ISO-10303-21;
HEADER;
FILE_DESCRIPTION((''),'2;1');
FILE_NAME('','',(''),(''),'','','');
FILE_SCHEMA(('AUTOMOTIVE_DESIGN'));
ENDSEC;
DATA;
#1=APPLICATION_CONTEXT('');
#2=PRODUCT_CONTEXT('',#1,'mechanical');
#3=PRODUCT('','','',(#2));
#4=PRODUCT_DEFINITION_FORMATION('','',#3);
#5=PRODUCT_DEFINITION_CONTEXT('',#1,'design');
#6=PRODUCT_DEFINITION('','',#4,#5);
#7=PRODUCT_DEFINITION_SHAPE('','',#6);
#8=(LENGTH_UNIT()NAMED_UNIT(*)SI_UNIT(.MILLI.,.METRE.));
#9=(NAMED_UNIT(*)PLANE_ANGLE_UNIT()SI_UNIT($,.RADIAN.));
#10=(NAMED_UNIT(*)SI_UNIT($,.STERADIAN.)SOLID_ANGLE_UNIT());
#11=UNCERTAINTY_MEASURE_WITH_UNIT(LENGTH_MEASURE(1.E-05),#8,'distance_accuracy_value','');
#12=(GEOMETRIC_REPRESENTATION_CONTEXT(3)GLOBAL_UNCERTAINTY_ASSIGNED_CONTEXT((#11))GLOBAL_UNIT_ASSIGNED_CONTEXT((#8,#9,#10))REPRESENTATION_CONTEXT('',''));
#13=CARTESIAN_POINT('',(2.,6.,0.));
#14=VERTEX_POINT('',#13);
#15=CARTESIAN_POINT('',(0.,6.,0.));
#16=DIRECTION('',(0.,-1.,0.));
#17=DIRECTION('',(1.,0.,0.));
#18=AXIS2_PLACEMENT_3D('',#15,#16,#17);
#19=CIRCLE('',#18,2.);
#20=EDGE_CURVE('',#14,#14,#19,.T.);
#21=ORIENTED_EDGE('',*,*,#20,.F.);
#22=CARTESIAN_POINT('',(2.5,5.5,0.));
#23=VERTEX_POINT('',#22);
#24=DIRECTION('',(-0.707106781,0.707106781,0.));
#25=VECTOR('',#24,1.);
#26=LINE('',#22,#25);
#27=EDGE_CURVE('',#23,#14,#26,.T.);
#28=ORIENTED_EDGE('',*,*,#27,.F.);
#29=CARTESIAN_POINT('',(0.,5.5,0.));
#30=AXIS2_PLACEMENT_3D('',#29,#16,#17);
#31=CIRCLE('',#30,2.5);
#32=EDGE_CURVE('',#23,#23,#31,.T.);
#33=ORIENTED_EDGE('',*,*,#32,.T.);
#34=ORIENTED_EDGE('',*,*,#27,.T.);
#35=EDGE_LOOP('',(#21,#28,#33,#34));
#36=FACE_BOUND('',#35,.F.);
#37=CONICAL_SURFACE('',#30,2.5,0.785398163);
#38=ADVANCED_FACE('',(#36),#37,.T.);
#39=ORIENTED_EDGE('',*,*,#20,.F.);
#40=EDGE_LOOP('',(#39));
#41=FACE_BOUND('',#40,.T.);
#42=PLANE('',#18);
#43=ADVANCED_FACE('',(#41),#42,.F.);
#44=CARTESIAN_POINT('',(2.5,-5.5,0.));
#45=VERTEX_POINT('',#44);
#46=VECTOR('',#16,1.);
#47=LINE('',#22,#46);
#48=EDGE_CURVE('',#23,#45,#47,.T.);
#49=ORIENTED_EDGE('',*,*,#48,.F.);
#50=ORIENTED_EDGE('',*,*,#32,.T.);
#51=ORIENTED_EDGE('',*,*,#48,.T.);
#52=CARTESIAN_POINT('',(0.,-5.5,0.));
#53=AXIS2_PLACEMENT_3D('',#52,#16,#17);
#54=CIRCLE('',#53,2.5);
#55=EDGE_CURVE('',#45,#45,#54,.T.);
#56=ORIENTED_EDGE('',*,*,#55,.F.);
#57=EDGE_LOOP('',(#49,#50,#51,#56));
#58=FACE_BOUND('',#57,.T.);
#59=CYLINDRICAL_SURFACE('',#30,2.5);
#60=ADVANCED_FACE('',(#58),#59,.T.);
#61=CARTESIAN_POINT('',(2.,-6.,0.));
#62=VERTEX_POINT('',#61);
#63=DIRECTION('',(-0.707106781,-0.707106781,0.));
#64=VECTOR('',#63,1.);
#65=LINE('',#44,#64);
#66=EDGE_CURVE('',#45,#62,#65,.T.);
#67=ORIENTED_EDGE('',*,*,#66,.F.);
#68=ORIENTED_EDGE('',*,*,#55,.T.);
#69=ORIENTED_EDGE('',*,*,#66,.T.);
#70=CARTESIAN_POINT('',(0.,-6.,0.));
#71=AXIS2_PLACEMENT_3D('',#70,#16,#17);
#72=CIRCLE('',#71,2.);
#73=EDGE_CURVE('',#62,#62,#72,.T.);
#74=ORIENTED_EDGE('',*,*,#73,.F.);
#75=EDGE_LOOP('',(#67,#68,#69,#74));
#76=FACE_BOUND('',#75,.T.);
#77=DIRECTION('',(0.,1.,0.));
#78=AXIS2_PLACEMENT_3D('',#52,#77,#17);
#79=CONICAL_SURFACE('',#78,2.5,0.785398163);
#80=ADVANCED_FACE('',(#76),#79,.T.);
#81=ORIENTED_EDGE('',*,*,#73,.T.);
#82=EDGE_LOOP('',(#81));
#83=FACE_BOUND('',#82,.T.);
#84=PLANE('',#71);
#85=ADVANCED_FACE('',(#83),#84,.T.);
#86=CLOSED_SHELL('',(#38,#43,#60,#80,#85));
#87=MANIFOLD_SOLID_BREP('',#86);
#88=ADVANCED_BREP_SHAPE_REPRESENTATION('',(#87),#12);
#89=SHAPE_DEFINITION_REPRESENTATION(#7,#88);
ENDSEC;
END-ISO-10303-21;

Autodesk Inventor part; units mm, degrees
ref_plane "YZ Plane" through (0, 0, 0) normal (1, 0, 0) x (0, 1, 0)
ref_plane "XZ Plane" through (0, 0, 0) normal (0, 1, 0) x (-1, 0, 0)
ref_plane "XY Plane" through (0, 0, 0) normal (0, 0, 1) x (1, 0, 0)
sketch "Эскиз1" plane through (0, 0, 0) normal (0, 0, 1) x (1, 0, 0)
  line L0 (0, 6) -> (0, -6)
  line L1 (0, 6) -> (2, 6)
  line L2 (2.5, 5.5) -> (2.5, -5.5)
  line L3 (2, -6) -> (0, -6)
  line L4 (0, -6) -> (0, 6)
  line L5 (2.5, -5.5) -> (2, -6)
  line L6 (2.5, 5.5) -> (2, 6)
  point P0 (0, 0)
  point P1 (0, 0)
  point P2 (2.5, -6)
  point P3 (2.5, 6)
  dimension "d0" = 12
  dimension "d1" = 5
  dimension "d2" = 0.5
  dimension "d3" = 45
  dimension "d4" = 0.5
  dimension "d5" = 45
revolve "Вращение1" add sketch "Эскиз1" angle 360 about axis through (0, 6, 0) along (0, -1, 0)
equation "\"d4\" = d2"
equation "\"d5\" = d3"
properties part number "78. Стопорный палец"
